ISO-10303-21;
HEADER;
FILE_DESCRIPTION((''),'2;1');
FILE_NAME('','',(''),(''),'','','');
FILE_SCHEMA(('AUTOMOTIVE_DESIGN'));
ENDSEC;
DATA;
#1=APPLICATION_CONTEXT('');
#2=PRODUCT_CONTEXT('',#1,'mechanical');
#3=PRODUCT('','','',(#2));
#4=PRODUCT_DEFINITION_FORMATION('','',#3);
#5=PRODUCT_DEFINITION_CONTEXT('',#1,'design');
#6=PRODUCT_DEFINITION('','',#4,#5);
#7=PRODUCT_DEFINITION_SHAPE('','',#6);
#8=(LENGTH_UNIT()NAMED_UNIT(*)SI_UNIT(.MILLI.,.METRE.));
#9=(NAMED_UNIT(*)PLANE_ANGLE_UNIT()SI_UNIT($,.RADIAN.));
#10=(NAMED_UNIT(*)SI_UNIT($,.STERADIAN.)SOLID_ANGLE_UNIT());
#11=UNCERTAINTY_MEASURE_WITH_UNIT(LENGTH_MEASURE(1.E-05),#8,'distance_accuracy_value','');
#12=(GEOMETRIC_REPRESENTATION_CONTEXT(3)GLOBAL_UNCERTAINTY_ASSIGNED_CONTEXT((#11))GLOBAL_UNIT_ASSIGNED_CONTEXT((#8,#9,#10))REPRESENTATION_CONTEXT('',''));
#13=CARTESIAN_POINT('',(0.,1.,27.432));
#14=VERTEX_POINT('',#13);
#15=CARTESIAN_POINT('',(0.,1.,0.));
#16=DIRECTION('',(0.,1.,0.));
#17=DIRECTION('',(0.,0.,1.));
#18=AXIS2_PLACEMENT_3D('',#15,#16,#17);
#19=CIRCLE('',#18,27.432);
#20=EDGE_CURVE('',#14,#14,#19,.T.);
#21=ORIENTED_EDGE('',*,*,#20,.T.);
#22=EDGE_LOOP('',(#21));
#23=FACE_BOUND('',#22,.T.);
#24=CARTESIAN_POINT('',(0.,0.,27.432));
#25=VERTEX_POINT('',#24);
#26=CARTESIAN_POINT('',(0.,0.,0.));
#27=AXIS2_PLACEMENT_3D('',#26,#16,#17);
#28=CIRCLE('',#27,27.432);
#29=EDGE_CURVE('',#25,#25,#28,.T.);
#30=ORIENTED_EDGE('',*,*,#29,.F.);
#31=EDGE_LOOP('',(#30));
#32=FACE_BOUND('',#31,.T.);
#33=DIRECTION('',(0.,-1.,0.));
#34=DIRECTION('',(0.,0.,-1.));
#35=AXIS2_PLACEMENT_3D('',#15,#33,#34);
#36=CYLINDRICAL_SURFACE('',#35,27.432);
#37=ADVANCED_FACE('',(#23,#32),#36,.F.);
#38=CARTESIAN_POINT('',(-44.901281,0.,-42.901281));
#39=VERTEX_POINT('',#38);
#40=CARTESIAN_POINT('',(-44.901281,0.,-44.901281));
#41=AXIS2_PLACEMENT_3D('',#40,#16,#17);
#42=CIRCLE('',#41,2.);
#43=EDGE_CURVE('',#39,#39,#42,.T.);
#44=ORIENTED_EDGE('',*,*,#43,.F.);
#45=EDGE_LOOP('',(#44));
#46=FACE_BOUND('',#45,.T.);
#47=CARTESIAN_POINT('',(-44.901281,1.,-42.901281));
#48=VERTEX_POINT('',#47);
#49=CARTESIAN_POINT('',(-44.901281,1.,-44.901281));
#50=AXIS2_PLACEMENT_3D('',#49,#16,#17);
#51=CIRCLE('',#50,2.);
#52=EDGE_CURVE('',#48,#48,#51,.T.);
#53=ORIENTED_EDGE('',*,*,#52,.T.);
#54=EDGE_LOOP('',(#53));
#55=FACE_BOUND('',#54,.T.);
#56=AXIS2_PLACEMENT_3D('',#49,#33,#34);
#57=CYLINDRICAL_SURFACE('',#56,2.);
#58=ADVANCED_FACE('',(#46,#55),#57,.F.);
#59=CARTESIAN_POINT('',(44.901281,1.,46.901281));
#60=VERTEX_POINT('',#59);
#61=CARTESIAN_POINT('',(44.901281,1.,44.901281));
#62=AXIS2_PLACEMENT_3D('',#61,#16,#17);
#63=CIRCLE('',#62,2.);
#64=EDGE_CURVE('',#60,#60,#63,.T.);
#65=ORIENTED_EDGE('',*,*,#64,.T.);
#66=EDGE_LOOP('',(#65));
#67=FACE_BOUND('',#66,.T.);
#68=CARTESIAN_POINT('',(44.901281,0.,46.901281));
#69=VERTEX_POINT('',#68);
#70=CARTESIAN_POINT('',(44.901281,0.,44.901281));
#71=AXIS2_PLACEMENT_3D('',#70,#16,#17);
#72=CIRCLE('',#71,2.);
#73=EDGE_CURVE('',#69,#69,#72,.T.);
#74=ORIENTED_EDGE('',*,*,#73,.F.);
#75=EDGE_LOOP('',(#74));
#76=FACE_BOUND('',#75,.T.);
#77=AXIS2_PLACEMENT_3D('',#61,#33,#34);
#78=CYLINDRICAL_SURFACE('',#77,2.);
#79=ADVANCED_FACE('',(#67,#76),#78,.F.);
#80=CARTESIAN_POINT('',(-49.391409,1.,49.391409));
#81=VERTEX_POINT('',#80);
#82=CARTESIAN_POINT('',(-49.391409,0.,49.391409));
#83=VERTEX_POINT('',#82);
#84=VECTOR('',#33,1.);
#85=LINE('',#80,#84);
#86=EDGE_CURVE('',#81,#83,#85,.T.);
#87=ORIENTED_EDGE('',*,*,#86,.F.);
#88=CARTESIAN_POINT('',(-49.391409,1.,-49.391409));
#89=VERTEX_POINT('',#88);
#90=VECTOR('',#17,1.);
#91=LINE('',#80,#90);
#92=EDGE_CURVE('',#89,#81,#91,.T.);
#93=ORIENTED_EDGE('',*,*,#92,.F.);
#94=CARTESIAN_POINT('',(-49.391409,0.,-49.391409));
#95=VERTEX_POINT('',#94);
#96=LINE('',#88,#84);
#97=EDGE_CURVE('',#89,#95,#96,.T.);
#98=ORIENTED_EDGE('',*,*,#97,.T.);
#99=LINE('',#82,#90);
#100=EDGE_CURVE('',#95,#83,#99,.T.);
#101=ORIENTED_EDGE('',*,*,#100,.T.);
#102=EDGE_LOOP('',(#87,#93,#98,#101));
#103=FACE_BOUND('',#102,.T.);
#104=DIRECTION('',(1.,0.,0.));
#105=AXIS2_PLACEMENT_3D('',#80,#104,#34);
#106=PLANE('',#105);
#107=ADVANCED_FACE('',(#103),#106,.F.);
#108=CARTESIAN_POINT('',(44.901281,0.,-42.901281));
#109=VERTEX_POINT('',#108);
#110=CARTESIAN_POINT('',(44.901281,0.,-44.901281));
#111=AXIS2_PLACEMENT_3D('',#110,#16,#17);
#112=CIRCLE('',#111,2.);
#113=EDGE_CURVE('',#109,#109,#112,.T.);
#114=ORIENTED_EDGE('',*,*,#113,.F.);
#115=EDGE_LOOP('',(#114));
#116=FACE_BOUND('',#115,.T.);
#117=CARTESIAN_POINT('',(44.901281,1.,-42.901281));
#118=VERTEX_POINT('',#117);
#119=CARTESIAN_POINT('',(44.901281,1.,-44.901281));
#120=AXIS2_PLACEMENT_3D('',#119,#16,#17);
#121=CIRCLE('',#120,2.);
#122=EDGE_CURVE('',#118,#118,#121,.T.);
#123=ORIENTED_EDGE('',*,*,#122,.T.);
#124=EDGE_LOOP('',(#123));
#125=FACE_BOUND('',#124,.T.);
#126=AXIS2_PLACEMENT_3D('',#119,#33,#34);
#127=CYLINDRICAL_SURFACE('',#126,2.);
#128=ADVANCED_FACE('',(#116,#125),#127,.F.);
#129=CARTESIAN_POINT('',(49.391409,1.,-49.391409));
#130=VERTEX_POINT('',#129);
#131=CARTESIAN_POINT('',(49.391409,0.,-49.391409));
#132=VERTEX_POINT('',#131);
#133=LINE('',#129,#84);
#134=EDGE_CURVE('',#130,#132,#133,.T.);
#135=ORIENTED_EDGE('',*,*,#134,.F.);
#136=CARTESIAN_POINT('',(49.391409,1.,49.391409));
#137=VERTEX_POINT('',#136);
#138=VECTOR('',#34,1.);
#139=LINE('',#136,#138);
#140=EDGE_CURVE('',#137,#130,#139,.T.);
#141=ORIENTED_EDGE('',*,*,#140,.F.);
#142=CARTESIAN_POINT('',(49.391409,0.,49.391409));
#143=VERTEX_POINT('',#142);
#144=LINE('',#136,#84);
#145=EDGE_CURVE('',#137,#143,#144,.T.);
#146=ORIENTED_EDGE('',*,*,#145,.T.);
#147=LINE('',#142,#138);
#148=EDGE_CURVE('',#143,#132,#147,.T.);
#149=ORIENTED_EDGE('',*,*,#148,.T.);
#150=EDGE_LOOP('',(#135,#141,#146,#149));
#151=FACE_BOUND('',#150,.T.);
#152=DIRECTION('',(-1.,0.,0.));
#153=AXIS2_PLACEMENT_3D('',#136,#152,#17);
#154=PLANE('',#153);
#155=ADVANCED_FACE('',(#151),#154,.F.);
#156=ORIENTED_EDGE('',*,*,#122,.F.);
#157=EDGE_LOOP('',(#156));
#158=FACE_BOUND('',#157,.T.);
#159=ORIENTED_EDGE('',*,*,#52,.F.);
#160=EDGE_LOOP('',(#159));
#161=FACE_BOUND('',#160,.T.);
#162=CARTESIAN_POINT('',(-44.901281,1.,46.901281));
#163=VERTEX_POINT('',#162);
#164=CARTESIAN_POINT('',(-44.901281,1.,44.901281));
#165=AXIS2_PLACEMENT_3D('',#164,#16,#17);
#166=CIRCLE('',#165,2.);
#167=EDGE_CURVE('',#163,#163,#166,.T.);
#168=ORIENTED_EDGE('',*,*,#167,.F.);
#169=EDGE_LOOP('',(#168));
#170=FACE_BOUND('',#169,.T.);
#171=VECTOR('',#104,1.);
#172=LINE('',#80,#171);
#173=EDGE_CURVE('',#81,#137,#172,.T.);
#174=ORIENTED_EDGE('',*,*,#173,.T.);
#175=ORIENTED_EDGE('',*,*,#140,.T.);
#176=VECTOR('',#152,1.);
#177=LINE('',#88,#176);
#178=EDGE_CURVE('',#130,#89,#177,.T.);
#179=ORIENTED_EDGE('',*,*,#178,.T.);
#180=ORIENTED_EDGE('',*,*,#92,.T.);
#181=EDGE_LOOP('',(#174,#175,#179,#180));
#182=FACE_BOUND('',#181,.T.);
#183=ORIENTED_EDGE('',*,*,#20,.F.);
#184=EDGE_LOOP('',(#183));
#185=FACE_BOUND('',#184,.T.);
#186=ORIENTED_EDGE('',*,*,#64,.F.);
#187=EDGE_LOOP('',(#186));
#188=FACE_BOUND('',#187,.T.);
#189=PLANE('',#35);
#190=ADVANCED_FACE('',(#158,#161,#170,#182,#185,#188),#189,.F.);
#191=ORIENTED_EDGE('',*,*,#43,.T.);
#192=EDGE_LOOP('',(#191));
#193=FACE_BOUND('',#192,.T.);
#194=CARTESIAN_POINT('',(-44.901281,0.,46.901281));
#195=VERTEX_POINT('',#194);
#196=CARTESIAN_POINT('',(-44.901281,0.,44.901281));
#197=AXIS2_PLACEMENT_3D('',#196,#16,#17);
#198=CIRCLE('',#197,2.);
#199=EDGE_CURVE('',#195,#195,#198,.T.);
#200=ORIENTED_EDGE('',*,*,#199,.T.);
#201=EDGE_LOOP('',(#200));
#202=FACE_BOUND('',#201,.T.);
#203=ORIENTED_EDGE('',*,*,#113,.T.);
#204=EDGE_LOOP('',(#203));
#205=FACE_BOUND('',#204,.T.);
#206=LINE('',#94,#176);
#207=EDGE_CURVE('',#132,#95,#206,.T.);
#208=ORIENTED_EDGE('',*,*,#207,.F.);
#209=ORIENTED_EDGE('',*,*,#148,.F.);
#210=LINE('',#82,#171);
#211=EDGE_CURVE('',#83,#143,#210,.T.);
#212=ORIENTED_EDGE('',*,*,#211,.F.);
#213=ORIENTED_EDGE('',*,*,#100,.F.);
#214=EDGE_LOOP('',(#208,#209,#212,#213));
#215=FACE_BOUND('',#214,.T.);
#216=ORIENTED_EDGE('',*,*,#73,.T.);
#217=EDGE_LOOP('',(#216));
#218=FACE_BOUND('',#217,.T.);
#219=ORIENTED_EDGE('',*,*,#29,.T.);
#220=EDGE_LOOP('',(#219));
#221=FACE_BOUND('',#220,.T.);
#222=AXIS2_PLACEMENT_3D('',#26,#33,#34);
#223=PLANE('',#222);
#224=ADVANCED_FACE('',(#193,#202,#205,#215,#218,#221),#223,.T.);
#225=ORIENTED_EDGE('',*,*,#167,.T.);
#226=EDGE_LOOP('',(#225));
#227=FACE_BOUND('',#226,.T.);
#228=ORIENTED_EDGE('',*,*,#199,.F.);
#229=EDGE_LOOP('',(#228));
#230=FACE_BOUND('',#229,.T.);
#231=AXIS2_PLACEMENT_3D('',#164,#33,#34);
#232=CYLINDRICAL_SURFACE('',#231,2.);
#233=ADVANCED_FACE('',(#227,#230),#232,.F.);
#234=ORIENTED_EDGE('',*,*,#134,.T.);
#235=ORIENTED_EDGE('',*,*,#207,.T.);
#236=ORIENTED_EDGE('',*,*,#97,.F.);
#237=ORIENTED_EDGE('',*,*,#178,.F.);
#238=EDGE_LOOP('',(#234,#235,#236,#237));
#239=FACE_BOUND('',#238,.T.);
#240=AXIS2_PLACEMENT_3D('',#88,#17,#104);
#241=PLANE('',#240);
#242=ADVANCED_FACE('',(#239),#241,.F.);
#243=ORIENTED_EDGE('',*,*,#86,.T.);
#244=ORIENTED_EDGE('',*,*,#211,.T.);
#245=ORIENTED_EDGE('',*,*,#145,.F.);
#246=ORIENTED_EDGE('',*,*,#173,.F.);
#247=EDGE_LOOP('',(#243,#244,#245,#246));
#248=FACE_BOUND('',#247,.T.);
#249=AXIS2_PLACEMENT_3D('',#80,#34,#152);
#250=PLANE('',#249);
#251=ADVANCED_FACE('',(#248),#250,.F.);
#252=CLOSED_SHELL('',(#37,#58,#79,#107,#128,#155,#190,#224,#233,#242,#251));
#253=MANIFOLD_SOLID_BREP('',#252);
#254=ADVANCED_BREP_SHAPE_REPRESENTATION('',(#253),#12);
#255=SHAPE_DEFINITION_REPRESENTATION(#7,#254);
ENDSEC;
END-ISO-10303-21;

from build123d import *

# Parameters (mm, degrees)
SKETCH1_W           = 98.782817332
SKETCH1_H           = 98.782817332
BOSS_EXTRUDE1_DEPTH = 1.000000032
SKETCH3_R           = 2.000000064
CUT_EXTRUDE2_DEPTH  = 2.000000032
SKETCH4_R           = 27.432
CUT_EXTRUDE3_DEPTH  = 2.000000032


with BuildPart() as part:
    # Sketch1 → Boss-Extrude1 (new body)
    with BuildSketch(Plane(origin=(0, 0, 0), x_dir=(1, 0, 0), z_dir=(0, 1, 0))):
        Rectangle(SKETCH1_W, SKETCH1_H)
    extrude(amount=BOSS_EXTRUDE1_DEPTH)

    # Sketch3 → Cut-Extrude2 (cut, through all)
    with BuildSketch(Plane(origin=(0, 0, 0), x_dir=(1, 0, 0), z_dir=(0, 1, 0))):
        with Locations((44.901280605, 44.901280605)):
            Circle(SKETCH3_R)
        with Locations((44.901280605, -44.901280605)):
            Circle(SKETCH3_R)
        with Locations((-44.901280605, -44.901280605)):
            Circle(SKETCH3_R)
        with Locations((-44.901280605, 44.901280605)):
            Circle(SKETCH3_R)
    extrude(amount=CUT_EXTRUDE2_DEPTH, mode=Mode.SUBTRACT)

    # Sketch4 → Cut-Extrude3 (cut, through all)
    with BuildSketch(Plane(origin=(0, 0, 0), x_dir=(1, 0, 0), z_dir=(0, 1, 0))):
        Circle(SKETCH4_R)
    extrude(amount=CUT_EXTRUDE3_DEPTH, mode=Mode.SUBTRACT)


solid = part.part
